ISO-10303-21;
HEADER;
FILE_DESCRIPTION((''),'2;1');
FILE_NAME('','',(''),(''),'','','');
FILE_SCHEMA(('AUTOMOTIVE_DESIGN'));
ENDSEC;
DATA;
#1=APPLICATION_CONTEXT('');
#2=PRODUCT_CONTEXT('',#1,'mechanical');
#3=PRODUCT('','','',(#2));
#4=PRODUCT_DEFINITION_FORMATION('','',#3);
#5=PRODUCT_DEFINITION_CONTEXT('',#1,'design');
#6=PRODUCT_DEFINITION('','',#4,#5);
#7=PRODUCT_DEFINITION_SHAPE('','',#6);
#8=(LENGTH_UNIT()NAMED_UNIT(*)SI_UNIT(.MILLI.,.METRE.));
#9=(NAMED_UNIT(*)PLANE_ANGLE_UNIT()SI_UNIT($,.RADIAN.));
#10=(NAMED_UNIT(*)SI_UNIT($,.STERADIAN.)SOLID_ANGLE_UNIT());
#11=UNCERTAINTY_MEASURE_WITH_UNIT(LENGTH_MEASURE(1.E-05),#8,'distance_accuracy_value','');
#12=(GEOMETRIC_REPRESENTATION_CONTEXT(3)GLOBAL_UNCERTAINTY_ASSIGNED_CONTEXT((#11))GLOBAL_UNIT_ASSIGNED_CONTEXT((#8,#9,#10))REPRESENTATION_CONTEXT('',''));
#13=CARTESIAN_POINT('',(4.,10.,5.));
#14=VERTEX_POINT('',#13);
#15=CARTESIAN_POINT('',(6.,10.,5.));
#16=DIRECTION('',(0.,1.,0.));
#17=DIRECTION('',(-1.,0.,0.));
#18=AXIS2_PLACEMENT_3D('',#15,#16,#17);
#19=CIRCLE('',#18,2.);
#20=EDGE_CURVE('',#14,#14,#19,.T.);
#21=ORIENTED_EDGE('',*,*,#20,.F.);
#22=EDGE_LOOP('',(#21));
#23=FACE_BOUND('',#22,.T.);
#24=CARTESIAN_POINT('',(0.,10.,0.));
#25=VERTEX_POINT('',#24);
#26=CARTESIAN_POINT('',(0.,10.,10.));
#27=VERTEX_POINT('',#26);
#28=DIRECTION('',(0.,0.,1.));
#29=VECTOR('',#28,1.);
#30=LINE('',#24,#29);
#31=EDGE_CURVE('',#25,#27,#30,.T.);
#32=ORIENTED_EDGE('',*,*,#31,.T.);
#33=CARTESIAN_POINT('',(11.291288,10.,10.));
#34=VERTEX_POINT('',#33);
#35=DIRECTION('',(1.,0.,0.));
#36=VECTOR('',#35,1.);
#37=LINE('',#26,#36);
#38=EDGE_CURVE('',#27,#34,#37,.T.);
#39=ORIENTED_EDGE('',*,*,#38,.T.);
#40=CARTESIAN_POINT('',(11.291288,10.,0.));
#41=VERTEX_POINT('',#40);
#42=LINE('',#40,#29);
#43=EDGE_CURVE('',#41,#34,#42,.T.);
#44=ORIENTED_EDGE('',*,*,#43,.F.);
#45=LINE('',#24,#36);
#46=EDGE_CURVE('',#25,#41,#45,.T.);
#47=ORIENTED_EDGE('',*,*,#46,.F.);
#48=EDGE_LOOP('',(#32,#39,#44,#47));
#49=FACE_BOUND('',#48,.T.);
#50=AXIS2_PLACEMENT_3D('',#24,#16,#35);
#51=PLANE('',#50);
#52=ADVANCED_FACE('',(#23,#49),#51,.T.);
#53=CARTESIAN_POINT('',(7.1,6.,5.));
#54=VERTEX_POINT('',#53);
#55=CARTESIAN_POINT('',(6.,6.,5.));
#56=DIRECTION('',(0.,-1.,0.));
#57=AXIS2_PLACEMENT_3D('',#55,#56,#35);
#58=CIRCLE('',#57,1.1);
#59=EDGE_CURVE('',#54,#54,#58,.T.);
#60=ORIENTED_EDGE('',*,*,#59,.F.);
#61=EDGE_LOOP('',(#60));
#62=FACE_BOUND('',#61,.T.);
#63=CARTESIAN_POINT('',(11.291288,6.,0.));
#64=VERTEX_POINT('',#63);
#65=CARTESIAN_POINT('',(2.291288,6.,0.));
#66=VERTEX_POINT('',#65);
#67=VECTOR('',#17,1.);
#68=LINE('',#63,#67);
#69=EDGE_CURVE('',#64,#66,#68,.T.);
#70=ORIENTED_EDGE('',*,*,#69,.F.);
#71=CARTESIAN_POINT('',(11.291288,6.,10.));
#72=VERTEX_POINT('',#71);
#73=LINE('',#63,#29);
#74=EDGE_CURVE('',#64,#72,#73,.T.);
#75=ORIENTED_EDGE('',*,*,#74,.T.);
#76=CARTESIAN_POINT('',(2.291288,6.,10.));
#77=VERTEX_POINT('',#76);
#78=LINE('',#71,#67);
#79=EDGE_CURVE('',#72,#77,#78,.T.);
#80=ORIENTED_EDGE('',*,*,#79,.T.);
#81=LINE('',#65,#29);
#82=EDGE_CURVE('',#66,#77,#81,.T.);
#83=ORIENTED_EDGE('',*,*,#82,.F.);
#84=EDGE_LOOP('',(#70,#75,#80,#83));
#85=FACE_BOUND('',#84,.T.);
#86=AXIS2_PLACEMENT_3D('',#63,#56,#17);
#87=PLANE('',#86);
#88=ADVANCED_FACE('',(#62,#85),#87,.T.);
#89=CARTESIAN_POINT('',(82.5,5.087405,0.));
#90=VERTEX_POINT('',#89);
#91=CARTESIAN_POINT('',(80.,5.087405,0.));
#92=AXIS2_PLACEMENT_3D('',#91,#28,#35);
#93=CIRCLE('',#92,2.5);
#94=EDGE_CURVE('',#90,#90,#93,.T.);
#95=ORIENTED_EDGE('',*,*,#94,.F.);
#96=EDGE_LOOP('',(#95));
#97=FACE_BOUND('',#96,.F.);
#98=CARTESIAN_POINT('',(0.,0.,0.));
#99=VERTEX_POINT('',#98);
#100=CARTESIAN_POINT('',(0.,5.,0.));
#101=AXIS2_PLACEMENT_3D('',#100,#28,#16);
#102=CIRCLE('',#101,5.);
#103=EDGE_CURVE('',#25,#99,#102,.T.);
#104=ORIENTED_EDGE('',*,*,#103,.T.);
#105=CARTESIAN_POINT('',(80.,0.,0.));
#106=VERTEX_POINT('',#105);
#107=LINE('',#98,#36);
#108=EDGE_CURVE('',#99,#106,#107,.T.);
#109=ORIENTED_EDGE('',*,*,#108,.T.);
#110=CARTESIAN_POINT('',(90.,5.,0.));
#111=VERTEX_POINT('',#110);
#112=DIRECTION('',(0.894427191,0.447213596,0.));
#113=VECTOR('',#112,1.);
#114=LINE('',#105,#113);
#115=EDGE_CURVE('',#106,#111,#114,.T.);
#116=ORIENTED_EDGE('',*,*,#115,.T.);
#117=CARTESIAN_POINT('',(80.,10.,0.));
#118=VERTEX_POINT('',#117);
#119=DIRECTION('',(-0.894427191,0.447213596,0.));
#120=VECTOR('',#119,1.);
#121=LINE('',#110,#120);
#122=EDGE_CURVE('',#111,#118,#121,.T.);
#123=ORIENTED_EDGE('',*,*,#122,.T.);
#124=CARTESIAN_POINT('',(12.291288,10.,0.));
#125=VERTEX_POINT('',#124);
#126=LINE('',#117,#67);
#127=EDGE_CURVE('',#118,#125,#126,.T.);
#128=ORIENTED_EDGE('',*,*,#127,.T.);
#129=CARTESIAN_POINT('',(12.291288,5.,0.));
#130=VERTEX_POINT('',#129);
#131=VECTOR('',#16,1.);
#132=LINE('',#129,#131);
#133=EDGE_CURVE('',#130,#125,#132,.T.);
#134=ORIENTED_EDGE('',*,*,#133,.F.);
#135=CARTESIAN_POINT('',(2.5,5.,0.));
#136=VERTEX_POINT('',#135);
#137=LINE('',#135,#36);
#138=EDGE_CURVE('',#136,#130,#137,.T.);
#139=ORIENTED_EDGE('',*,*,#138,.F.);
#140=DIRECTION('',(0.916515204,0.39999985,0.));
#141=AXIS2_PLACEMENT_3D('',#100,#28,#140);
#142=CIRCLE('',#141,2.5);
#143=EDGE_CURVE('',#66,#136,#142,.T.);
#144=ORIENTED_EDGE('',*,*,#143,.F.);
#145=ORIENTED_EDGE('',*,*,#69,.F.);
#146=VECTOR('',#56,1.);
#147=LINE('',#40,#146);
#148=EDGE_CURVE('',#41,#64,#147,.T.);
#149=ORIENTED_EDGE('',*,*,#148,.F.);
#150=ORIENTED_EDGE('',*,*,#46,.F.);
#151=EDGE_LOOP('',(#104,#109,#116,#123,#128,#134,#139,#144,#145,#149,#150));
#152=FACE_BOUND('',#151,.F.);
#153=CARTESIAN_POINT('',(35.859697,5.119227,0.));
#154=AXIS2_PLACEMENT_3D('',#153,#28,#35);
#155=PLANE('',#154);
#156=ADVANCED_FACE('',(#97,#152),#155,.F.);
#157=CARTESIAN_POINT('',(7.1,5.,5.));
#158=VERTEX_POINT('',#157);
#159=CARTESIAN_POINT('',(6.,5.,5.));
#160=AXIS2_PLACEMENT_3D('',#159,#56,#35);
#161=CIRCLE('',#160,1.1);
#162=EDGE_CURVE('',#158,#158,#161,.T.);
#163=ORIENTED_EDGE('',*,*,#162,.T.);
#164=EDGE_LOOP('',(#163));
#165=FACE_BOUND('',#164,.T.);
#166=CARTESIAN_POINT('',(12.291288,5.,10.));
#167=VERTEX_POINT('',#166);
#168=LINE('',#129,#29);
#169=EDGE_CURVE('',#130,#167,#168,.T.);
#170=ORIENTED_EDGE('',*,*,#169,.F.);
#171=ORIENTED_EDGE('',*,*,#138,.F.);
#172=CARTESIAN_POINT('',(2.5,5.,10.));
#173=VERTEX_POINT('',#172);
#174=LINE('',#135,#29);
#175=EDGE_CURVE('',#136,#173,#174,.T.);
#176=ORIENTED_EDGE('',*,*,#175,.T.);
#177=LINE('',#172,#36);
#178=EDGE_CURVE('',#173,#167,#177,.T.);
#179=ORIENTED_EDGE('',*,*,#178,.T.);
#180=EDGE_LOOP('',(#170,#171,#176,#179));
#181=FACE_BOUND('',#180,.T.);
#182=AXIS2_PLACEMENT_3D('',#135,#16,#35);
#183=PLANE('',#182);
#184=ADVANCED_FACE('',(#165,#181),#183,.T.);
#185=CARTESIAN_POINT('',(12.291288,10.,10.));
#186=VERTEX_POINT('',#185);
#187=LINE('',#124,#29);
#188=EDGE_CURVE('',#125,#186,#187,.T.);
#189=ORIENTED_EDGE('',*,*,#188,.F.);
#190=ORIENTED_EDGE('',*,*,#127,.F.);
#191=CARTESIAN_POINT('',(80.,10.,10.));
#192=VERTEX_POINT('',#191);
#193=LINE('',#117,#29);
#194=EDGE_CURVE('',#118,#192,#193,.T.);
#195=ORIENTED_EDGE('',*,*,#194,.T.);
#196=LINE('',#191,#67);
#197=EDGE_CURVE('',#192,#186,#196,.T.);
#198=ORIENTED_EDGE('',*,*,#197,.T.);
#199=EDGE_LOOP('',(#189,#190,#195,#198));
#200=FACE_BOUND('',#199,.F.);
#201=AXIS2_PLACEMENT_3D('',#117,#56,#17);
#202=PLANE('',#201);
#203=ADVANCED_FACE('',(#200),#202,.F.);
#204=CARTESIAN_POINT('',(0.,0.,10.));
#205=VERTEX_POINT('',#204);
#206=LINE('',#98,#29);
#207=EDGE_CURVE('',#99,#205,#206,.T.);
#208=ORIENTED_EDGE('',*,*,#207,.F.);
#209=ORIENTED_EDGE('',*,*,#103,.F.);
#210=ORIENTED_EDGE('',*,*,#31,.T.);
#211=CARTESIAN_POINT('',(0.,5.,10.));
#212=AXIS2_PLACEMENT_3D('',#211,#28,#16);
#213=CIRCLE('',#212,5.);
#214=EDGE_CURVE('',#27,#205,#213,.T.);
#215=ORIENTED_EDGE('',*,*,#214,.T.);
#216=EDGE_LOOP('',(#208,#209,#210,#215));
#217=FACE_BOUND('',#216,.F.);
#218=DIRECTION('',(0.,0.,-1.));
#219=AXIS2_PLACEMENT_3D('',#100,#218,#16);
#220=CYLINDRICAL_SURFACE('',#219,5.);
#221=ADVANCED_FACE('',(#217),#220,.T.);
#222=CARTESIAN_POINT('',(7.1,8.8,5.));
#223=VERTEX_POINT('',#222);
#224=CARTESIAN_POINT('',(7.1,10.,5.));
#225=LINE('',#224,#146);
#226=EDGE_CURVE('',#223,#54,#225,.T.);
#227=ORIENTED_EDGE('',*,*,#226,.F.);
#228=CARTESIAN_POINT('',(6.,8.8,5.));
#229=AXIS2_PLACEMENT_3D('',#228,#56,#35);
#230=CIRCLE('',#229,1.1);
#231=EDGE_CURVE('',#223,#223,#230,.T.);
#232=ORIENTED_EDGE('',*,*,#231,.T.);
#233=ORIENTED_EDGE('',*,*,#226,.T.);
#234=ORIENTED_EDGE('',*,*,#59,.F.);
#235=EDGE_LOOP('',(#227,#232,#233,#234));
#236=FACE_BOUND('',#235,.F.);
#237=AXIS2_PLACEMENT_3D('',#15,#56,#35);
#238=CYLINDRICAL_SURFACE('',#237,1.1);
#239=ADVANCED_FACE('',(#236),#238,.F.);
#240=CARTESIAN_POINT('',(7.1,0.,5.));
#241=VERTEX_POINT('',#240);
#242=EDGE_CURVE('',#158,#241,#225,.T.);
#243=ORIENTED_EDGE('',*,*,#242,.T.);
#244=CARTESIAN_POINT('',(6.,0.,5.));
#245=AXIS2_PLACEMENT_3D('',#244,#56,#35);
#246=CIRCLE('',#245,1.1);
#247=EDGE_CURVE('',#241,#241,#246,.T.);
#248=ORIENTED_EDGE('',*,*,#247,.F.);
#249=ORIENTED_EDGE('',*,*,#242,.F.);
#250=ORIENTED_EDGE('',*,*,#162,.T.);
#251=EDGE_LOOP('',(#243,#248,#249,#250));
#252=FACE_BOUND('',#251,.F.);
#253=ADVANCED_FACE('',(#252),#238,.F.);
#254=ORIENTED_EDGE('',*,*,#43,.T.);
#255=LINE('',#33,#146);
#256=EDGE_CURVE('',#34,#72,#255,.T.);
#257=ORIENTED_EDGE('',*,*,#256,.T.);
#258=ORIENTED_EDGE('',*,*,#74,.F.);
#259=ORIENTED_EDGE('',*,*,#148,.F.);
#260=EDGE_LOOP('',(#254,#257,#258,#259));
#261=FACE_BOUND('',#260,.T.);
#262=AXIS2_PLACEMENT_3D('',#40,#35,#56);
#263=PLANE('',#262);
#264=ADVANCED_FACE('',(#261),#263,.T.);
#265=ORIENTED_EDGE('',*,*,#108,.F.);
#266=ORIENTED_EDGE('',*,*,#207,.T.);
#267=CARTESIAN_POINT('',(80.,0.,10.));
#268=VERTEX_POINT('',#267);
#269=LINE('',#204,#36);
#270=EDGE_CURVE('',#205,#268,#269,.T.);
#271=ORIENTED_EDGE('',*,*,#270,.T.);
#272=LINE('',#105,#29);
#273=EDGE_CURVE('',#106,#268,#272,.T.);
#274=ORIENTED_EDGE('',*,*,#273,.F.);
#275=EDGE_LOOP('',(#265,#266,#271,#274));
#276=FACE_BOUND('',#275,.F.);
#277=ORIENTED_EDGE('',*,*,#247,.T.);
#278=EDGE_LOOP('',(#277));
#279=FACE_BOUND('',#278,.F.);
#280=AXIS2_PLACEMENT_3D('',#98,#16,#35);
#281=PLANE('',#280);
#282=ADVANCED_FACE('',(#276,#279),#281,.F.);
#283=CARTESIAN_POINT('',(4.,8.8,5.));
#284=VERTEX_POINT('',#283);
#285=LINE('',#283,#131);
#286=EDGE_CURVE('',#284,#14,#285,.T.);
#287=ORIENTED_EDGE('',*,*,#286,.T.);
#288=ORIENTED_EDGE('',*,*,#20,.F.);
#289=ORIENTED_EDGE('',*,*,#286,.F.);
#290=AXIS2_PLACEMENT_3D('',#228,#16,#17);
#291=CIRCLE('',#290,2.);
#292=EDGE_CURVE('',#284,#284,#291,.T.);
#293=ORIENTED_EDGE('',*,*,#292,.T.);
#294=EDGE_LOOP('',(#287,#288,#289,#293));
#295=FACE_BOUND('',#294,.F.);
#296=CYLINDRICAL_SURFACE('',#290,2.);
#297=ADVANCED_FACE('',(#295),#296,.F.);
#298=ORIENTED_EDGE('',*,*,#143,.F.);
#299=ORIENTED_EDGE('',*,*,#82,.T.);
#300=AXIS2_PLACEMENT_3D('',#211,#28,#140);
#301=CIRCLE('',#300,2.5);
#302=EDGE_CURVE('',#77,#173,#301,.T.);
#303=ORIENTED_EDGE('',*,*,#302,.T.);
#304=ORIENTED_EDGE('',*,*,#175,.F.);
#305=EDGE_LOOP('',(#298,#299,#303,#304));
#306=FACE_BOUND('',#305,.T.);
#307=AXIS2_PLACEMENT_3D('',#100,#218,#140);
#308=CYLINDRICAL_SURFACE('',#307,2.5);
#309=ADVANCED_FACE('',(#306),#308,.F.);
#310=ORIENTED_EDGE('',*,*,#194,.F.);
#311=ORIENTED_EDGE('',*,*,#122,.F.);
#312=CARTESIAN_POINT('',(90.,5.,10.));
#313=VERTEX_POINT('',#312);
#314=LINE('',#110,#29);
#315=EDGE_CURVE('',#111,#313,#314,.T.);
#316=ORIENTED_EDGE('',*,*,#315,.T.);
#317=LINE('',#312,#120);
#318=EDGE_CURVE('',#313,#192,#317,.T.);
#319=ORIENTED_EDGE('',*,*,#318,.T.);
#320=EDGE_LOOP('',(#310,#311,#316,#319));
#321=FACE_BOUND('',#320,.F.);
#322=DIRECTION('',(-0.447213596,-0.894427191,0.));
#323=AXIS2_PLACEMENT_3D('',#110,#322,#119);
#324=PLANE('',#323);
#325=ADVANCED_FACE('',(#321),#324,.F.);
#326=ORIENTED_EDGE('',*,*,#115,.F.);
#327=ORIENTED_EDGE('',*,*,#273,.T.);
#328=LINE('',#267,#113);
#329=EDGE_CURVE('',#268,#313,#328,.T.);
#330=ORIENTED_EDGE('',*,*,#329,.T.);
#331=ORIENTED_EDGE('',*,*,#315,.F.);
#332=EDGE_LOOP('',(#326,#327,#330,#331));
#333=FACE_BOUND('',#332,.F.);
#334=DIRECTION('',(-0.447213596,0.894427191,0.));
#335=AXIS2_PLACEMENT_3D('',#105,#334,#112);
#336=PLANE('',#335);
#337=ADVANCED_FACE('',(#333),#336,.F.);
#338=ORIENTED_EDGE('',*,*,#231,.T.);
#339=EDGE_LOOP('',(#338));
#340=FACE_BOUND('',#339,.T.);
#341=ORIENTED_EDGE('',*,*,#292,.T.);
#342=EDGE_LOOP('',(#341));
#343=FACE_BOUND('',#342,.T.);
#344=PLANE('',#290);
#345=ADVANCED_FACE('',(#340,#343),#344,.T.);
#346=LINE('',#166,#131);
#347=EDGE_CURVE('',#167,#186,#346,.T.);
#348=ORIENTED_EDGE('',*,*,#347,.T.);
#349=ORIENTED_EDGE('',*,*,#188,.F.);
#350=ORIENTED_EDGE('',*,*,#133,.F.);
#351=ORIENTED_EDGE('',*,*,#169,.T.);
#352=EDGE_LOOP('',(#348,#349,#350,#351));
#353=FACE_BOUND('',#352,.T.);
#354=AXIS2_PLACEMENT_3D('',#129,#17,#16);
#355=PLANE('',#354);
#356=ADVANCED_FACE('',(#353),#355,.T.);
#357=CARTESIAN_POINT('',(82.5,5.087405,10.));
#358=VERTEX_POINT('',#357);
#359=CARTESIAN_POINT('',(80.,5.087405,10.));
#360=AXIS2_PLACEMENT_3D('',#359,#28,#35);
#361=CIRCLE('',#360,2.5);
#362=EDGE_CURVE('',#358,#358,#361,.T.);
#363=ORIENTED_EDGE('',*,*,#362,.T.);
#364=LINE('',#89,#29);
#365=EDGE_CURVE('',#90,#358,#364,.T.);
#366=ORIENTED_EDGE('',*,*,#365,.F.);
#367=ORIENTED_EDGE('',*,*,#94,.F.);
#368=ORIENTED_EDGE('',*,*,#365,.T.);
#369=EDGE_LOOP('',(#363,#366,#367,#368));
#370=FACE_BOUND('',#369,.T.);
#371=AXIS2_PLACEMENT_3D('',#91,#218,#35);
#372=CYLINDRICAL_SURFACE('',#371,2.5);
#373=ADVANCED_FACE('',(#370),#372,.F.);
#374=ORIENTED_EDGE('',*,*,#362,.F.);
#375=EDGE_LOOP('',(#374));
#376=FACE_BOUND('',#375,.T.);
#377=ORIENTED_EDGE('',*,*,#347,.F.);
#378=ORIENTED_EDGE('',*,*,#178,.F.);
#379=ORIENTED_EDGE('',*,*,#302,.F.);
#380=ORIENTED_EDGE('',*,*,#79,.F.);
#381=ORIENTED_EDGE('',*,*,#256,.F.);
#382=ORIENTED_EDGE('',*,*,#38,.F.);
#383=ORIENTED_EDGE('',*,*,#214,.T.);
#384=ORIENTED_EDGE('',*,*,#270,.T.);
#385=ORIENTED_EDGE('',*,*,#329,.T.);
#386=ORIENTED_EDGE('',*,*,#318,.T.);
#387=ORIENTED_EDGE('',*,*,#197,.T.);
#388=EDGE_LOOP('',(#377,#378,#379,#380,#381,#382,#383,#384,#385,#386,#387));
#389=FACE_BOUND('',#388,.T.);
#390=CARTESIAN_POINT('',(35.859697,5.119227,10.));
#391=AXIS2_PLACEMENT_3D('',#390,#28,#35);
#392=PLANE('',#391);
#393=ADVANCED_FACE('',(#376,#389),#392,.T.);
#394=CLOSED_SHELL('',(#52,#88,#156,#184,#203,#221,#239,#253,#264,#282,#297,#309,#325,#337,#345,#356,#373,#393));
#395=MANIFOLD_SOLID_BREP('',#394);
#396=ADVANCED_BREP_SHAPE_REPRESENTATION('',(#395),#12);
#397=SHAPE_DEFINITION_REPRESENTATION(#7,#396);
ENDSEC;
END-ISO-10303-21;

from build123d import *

# Parameters (mm, degrees)
SKETCH001_R      = 2.5
PAD_DEPTH        = 10
HOLE_D           = 2.2
HOLE_DEPTH       = 25
HOLE_CBORE_D     = 4
HOLE_CBORE_DEPTH = 1.2


with BuildPart() as part:
    # Sketch001 → Pad (new body)
    with BuildSketch(Plane.XY):
        with BuildLine():
            Line((0, 0), (80, 0))
            Line((80, 0), (90, 5))
            Line((90, 5), (80, 10))
            Line((80, 10), (12.291288, 10))
            Line((12.291288, 5), (12.291288, 10))
            Line((2.5, 5), (12.291288, 5))
            ThreePointArc((2.291288, 6), (-2.447266, 4.489226), (2.5, 5))
            Line((11.291288, 6), (2.291288, 6))
            Line((11.291288, 10), (11.291288, 6))
            Line((0, 10), (11.291288, 10))
            ThreePointArc((0, 10), (-5, 5), (0, 0))
        make_face()
        with Locations((80, 5.087405)):
            Circle(SKETCH001_R, mode=Mode.SUBTRACT)
    extrude(amount=PAD_DEPTH)

    # Hole
    with Locations(Plane(origin=(0, 10, 0), x_dir=(-1, 0, 0), z_dir=(0, 1, 0))):
        with Locations((-6, 5)):
            CounterBoreHole(HOLE_D / 2, HOLE_CBORE_D / 2, HOLE_CBORE_DEPTH, depth=HOLE_DEPTH)


solid = part.part
